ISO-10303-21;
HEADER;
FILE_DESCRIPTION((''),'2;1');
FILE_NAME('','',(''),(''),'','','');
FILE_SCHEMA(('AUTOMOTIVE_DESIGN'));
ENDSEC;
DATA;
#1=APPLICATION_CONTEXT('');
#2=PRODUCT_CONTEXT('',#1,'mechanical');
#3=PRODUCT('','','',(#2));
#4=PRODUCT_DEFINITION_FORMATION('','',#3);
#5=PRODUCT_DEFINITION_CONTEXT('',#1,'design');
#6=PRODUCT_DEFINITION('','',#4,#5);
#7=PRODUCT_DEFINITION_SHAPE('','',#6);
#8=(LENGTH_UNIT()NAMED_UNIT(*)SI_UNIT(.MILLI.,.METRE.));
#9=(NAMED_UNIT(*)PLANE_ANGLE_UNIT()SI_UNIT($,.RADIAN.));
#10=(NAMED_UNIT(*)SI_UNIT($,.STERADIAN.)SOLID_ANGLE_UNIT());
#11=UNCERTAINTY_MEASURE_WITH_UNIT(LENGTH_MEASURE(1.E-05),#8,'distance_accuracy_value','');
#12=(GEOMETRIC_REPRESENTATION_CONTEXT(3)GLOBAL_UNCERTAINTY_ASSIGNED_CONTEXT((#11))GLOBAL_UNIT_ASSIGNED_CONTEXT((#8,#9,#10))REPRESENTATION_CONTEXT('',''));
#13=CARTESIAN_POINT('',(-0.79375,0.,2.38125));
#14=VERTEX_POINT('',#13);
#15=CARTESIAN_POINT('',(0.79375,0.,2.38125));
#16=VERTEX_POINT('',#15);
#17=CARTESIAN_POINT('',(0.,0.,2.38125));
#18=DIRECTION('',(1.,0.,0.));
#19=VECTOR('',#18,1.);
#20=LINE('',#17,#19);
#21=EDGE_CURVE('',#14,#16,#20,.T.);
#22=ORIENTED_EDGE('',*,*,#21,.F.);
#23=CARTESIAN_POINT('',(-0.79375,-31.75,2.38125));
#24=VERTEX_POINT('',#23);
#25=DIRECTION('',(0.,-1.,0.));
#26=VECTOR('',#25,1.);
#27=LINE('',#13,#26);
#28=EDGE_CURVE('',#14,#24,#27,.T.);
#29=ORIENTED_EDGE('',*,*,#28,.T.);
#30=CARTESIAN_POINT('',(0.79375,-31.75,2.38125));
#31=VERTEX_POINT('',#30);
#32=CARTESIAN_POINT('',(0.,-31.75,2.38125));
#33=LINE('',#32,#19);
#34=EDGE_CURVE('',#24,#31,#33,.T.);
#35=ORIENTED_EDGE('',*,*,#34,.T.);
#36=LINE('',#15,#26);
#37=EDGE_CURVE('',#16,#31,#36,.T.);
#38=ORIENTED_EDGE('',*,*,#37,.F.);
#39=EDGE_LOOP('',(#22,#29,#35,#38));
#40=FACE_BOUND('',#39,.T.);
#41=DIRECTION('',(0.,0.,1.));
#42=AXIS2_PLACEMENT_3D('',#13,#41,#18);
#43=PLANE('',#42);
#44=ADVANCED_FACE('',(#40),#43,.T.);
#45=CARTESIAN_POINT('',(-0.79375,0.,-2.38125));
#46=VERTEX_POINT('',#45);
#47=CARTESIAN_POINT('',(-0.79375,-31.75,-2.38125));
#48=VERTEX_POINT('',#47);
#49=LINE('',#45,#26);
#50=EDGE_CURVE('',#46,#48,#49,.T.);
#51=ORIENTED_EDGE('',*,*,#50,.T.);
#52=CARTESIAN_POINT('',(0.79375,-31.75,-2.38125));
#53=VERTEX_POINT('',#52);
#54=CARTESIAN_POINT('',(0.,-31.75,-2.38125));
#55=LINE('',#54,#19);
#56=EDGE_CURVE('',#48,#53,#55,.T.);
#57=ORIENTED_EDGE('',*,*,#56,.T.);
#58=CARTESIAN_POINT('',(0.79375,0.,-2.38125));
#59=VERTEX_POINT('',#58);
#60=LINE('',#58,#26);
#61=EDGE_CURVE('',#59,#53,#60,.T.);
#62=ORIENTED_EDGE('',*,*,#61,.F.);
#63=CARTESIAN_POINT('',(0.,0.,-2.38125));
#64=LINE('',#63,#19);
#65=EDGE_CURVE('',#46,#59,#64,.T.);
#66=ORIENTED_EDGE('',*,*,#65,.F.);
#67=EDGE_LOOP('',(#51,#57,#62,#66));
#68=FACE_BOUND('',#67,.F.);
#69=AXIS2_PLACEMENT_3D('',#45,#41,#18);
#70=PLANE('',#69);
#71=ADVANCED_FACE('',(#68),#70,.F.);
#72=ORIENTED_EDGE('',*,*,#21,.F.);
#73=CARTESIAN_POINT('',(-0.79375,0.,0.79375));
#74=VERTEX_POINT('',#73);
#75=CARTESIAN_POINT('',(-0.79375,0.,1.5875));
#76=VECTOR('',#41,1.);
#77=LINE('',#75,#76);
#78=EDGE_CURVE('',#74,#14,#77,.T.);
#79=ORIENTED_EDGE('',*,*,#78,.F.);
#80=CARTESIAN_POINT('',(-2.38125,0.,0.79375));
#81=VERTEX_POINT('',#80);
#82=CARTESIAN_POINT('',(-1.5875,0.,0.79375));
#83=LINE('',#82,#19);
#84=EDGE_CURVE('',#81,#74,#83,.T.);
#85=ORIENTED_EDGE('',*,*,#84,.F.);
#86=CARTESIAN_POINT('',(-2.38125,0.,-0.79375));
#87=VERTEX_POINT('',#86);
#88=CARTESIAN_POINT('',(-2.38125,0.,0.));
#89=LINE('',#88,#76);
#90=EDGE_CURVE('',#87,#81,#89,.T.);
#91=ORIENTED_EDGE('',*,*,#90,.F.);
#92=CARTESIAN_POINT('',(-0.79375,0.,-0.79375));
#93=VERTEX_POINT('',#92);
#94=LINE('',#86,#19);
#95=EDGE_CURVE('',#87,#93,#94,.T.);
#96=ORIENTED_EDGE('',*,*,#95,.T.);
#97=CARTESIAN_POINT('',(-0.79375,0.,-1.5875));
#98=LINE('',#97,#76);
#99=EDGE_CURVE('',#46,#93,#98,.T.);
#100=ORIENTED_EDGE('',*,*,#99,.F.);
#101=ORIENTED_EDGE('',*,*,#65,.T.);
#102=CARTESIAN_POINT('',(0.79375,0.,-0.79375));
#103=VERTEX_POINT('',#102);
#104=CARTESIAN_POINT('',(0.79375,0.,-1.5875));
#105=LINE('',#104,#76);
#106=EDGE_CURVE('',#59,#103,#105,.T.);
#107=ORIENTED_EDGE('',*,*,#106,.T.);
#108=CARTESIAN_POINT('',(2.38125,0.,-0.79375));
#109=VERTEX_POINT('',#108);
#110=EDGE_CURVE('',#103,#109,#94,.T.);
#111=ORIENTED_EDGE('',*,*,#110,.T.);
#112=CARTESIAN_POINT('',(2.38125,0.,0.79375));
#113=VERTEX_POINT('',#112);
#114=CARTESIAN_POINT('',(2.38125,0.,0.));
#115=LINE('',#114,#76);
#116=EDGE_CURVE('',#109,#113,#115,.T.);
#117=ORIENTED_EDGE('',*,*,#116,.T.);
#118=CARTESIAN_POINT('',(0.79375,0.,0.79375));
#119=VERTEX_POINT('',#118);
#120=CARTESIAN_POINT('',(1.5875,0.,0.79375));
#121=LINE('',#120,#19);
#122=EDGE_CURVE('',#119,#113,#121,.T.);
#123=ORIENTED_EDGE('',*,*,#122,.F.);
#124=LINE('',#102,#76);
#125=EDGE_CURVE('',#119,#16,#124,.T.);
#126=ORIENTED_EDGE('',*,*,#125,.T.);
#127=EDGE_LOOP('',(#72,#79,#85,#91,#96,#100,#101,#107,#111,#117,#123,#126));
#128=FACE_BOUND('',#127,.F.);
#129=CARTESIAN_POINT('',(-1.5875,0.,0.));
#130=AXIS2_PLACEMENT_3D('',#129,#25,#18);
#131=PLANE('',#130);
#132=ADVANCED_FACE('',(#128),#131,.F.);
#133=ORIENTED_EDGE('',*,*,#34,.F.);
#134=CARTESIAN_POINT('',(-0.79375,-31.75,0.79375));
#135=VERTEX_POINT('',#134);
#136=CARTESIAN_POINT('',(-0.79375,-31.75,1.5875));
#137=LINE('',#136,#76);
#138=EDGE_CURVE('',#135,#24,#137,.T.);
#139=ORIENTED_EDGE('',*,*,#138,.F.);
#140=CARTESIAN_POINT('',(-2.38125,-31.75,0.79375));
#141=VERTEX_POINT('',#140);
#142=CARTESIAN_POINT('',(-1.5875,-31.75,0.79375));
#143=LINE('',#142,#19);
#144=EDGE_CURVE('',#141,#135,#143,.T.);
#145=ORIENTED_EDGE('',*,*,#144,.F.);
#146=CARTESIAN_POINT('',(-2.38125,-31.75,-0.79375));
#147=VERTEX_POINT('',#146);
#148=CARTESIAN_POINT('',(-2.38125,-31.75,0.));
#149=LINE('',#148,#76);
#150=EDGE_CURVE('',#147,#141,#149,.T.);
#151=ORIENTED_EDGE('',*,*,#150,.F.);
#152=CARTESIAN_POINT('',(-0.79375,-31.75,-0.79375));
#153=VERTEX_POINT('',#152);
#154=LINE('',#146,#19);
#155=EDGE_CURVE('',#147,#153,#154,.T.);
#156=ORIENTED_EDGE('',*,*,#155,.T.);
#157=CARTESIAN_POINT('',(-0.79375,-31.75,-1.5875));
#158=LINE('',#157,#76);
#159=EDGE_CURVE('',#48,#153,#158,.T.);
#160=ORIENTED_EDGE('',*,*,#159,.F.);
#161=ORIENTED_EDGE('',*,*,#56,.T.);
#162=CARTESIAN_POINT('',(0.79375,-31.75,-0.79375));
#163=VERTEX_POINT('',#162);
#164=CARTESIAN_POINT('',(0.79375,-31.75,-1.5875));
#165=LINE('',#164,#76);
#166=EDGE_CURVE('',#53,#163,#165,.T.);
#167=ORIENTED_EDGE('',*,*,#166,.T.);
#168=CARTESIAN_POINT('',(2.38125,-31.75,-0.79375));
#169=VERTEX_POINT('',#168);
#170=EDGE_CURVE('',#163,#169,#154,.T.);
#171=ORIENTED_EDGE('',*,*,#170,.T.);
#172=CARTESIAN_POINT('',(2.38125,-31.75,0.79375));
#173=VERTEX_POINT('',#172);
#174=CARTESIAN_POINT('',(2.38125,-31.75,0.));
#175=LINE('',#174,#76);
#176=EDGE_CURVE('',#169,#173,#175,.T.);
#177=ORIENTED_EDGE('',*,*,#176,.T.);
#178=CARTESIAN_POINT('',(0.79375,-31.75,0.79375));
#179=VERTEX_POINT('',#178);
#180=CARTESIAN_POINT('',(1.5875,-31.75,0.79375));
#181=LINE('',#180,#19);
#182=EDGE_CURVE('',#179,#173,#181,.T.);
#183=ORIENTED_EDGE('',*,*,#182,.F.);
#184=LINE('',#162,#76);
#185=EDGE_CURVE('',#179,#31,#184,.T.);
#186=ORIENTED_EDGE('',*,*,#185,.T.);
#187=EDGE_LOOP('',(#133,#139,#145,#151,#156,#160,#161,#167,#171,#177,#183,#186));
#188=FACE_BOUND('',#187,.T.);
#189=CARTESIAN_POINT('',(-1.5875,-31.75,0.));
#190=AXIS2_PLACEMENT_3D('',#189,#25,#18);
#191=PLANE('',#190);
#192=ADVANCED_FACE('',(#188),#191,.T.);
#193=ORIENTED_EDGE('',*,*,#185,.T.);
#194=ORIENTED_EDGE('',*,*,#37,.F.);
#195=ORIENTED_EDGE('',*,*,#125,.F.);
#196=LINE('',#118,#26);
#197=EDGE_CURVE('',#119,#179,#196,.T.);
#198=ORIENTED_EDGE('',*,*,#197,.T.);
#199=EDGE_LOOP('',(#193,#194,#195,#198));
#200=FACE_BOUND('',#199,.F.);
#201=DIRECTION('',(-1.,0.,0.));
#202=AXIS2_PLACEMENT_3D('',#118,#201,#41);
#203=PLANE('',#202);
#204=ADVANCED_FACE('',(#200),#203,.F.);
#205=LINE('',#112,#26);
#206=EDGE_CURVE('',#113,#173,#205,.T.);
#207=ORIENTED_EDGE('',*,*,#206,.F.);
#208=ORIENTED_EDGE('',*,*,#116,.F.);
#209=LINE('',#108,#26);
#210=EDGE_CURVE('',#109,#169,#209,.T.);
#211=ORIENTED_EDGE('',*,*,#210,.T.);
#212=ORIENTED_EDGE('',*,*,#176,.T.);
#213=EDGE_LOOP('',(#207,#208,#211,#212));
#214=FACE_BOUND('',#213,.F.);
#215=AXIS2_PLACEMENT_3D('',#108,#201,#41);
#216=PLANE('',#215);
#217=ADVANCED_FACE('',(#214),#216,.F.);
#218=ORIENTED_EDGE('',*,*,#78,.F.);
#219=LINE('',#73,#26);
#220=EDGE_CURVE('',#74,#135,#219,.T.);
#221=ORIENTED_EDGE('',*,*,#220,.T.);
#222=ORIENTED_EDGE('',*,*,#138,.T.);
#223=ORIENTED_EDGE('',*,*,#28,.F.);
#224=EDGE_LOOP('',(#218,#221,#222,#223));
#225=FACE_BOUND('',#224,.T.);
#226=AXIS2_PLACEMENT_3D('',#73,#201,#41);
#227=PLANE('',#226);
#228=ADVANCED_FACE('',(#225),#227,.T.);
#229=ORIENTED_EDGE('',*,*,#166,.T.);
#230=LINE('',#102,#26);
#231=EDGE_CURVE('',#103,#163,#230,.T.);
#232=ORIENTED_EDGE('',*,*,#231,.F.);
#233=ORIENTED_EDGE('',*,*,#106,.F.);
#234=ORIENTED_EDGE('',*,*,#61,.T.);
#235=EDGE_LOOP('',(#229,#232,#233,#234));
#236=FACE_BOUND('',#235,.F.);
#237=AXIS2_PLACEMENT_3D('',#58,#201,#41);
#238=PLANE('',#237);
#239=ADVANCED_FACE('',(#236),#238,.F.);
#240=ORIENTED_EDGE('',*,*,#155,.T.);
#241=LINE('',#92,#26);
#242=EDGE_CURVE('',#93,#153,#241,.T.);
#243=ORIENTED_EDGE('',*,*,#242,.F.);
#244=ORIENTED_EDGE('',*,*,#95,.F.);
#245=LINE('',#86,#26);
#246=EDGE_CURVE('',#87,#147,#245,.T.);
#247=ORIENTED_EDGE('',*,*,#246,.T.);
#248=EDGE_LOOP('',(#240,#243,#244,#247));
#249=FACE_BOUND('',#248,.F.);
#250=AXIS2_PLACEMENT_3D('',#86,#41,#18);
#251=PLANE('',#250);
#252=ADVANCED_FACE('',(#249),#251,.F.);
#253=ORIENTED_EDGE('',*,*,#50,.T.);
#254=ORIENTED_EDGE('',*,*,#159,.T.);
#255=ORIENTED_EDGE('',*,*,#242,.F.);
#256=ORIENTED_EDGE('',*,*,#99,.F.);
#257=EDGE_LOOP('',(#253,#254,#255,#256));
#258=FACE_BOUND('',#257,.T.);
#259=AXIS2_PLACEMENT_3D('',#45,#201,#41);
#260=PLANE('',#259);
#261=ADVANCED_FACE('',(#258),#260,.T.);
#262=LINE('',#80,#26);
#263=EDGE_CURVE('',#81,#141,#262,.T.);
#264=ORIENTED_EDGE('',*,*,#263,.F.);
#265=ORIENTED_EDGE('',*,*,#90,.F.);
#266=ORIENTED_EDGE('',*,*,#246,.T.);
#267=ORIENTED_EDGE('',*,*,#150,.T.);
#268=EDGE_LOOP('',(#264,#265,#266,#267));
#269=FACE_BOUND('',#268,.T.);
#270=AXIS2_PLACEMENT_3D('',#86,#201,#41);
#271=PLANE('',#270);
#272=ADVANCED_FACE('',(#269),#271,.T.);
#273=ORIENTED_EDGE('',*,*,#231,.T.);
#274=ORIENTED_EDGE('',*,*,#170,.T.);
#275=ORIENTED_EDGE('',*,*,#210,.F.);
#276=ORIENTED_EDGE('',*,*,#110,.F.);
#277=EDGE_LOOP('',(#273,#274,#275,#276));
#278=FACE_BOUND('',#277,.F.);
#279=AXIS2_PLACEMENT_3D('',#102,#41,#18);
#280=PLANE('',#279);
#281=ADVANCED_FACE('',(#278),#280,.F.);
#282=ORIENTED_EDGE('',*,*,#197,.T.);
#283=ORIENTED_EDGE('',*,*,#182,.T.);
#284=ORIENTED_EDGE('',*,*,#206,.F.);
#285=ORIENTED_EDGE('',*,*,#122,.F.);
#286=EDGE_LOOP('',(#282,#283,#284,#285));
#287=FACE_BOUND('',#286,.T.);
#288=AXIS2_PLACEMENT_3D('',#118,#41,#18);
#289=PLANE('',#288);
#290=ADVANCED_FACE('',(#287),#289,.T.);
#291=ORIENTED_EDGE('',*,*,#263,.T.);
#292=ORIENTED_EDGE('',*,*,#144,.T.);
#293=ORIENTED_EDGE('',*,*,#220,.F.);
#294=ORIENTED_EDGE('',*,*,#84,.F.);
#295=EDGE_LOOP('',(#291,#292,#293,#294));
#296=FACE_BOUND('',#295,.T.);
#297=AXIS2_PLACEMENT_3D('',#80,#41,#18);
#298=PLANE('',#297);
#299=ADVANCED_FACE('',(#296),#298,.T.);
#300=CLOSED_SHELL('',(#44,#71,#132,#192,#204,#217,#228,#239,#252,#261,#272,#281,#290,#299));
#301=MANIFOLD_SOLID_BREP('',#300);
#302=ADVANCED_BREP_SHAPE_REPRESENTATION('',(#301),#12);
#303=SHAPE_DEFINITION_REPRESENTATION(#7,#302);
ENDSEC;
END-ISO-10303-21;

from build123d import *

# Parameters (mm, degrees)
F0_W     = 1.5875
F0_H     = 1.5875
F1_DEPTH = 31.75


with BuildPart() as f1:
    # F0 (on Front) → F1 (new body)
    with BuildSketch(Plane.XZ):
        with Locations((-1.5875, 0)):
            Rectangle(F0_W, F0_H)
        with Locations((0, 1.5875)):
            Rectangle(F0_W, F0_H)
        Rectangle(F0_W, F0_H)
        with Locations((1.5875, 0)):
            Rectangle(F0_W, F0_H)
        with Locations((0, -1.5875)):
            Rectangle(F0_W, F0_H)
    extrude(amount=F1_DEPTH)


solid = f1.part
